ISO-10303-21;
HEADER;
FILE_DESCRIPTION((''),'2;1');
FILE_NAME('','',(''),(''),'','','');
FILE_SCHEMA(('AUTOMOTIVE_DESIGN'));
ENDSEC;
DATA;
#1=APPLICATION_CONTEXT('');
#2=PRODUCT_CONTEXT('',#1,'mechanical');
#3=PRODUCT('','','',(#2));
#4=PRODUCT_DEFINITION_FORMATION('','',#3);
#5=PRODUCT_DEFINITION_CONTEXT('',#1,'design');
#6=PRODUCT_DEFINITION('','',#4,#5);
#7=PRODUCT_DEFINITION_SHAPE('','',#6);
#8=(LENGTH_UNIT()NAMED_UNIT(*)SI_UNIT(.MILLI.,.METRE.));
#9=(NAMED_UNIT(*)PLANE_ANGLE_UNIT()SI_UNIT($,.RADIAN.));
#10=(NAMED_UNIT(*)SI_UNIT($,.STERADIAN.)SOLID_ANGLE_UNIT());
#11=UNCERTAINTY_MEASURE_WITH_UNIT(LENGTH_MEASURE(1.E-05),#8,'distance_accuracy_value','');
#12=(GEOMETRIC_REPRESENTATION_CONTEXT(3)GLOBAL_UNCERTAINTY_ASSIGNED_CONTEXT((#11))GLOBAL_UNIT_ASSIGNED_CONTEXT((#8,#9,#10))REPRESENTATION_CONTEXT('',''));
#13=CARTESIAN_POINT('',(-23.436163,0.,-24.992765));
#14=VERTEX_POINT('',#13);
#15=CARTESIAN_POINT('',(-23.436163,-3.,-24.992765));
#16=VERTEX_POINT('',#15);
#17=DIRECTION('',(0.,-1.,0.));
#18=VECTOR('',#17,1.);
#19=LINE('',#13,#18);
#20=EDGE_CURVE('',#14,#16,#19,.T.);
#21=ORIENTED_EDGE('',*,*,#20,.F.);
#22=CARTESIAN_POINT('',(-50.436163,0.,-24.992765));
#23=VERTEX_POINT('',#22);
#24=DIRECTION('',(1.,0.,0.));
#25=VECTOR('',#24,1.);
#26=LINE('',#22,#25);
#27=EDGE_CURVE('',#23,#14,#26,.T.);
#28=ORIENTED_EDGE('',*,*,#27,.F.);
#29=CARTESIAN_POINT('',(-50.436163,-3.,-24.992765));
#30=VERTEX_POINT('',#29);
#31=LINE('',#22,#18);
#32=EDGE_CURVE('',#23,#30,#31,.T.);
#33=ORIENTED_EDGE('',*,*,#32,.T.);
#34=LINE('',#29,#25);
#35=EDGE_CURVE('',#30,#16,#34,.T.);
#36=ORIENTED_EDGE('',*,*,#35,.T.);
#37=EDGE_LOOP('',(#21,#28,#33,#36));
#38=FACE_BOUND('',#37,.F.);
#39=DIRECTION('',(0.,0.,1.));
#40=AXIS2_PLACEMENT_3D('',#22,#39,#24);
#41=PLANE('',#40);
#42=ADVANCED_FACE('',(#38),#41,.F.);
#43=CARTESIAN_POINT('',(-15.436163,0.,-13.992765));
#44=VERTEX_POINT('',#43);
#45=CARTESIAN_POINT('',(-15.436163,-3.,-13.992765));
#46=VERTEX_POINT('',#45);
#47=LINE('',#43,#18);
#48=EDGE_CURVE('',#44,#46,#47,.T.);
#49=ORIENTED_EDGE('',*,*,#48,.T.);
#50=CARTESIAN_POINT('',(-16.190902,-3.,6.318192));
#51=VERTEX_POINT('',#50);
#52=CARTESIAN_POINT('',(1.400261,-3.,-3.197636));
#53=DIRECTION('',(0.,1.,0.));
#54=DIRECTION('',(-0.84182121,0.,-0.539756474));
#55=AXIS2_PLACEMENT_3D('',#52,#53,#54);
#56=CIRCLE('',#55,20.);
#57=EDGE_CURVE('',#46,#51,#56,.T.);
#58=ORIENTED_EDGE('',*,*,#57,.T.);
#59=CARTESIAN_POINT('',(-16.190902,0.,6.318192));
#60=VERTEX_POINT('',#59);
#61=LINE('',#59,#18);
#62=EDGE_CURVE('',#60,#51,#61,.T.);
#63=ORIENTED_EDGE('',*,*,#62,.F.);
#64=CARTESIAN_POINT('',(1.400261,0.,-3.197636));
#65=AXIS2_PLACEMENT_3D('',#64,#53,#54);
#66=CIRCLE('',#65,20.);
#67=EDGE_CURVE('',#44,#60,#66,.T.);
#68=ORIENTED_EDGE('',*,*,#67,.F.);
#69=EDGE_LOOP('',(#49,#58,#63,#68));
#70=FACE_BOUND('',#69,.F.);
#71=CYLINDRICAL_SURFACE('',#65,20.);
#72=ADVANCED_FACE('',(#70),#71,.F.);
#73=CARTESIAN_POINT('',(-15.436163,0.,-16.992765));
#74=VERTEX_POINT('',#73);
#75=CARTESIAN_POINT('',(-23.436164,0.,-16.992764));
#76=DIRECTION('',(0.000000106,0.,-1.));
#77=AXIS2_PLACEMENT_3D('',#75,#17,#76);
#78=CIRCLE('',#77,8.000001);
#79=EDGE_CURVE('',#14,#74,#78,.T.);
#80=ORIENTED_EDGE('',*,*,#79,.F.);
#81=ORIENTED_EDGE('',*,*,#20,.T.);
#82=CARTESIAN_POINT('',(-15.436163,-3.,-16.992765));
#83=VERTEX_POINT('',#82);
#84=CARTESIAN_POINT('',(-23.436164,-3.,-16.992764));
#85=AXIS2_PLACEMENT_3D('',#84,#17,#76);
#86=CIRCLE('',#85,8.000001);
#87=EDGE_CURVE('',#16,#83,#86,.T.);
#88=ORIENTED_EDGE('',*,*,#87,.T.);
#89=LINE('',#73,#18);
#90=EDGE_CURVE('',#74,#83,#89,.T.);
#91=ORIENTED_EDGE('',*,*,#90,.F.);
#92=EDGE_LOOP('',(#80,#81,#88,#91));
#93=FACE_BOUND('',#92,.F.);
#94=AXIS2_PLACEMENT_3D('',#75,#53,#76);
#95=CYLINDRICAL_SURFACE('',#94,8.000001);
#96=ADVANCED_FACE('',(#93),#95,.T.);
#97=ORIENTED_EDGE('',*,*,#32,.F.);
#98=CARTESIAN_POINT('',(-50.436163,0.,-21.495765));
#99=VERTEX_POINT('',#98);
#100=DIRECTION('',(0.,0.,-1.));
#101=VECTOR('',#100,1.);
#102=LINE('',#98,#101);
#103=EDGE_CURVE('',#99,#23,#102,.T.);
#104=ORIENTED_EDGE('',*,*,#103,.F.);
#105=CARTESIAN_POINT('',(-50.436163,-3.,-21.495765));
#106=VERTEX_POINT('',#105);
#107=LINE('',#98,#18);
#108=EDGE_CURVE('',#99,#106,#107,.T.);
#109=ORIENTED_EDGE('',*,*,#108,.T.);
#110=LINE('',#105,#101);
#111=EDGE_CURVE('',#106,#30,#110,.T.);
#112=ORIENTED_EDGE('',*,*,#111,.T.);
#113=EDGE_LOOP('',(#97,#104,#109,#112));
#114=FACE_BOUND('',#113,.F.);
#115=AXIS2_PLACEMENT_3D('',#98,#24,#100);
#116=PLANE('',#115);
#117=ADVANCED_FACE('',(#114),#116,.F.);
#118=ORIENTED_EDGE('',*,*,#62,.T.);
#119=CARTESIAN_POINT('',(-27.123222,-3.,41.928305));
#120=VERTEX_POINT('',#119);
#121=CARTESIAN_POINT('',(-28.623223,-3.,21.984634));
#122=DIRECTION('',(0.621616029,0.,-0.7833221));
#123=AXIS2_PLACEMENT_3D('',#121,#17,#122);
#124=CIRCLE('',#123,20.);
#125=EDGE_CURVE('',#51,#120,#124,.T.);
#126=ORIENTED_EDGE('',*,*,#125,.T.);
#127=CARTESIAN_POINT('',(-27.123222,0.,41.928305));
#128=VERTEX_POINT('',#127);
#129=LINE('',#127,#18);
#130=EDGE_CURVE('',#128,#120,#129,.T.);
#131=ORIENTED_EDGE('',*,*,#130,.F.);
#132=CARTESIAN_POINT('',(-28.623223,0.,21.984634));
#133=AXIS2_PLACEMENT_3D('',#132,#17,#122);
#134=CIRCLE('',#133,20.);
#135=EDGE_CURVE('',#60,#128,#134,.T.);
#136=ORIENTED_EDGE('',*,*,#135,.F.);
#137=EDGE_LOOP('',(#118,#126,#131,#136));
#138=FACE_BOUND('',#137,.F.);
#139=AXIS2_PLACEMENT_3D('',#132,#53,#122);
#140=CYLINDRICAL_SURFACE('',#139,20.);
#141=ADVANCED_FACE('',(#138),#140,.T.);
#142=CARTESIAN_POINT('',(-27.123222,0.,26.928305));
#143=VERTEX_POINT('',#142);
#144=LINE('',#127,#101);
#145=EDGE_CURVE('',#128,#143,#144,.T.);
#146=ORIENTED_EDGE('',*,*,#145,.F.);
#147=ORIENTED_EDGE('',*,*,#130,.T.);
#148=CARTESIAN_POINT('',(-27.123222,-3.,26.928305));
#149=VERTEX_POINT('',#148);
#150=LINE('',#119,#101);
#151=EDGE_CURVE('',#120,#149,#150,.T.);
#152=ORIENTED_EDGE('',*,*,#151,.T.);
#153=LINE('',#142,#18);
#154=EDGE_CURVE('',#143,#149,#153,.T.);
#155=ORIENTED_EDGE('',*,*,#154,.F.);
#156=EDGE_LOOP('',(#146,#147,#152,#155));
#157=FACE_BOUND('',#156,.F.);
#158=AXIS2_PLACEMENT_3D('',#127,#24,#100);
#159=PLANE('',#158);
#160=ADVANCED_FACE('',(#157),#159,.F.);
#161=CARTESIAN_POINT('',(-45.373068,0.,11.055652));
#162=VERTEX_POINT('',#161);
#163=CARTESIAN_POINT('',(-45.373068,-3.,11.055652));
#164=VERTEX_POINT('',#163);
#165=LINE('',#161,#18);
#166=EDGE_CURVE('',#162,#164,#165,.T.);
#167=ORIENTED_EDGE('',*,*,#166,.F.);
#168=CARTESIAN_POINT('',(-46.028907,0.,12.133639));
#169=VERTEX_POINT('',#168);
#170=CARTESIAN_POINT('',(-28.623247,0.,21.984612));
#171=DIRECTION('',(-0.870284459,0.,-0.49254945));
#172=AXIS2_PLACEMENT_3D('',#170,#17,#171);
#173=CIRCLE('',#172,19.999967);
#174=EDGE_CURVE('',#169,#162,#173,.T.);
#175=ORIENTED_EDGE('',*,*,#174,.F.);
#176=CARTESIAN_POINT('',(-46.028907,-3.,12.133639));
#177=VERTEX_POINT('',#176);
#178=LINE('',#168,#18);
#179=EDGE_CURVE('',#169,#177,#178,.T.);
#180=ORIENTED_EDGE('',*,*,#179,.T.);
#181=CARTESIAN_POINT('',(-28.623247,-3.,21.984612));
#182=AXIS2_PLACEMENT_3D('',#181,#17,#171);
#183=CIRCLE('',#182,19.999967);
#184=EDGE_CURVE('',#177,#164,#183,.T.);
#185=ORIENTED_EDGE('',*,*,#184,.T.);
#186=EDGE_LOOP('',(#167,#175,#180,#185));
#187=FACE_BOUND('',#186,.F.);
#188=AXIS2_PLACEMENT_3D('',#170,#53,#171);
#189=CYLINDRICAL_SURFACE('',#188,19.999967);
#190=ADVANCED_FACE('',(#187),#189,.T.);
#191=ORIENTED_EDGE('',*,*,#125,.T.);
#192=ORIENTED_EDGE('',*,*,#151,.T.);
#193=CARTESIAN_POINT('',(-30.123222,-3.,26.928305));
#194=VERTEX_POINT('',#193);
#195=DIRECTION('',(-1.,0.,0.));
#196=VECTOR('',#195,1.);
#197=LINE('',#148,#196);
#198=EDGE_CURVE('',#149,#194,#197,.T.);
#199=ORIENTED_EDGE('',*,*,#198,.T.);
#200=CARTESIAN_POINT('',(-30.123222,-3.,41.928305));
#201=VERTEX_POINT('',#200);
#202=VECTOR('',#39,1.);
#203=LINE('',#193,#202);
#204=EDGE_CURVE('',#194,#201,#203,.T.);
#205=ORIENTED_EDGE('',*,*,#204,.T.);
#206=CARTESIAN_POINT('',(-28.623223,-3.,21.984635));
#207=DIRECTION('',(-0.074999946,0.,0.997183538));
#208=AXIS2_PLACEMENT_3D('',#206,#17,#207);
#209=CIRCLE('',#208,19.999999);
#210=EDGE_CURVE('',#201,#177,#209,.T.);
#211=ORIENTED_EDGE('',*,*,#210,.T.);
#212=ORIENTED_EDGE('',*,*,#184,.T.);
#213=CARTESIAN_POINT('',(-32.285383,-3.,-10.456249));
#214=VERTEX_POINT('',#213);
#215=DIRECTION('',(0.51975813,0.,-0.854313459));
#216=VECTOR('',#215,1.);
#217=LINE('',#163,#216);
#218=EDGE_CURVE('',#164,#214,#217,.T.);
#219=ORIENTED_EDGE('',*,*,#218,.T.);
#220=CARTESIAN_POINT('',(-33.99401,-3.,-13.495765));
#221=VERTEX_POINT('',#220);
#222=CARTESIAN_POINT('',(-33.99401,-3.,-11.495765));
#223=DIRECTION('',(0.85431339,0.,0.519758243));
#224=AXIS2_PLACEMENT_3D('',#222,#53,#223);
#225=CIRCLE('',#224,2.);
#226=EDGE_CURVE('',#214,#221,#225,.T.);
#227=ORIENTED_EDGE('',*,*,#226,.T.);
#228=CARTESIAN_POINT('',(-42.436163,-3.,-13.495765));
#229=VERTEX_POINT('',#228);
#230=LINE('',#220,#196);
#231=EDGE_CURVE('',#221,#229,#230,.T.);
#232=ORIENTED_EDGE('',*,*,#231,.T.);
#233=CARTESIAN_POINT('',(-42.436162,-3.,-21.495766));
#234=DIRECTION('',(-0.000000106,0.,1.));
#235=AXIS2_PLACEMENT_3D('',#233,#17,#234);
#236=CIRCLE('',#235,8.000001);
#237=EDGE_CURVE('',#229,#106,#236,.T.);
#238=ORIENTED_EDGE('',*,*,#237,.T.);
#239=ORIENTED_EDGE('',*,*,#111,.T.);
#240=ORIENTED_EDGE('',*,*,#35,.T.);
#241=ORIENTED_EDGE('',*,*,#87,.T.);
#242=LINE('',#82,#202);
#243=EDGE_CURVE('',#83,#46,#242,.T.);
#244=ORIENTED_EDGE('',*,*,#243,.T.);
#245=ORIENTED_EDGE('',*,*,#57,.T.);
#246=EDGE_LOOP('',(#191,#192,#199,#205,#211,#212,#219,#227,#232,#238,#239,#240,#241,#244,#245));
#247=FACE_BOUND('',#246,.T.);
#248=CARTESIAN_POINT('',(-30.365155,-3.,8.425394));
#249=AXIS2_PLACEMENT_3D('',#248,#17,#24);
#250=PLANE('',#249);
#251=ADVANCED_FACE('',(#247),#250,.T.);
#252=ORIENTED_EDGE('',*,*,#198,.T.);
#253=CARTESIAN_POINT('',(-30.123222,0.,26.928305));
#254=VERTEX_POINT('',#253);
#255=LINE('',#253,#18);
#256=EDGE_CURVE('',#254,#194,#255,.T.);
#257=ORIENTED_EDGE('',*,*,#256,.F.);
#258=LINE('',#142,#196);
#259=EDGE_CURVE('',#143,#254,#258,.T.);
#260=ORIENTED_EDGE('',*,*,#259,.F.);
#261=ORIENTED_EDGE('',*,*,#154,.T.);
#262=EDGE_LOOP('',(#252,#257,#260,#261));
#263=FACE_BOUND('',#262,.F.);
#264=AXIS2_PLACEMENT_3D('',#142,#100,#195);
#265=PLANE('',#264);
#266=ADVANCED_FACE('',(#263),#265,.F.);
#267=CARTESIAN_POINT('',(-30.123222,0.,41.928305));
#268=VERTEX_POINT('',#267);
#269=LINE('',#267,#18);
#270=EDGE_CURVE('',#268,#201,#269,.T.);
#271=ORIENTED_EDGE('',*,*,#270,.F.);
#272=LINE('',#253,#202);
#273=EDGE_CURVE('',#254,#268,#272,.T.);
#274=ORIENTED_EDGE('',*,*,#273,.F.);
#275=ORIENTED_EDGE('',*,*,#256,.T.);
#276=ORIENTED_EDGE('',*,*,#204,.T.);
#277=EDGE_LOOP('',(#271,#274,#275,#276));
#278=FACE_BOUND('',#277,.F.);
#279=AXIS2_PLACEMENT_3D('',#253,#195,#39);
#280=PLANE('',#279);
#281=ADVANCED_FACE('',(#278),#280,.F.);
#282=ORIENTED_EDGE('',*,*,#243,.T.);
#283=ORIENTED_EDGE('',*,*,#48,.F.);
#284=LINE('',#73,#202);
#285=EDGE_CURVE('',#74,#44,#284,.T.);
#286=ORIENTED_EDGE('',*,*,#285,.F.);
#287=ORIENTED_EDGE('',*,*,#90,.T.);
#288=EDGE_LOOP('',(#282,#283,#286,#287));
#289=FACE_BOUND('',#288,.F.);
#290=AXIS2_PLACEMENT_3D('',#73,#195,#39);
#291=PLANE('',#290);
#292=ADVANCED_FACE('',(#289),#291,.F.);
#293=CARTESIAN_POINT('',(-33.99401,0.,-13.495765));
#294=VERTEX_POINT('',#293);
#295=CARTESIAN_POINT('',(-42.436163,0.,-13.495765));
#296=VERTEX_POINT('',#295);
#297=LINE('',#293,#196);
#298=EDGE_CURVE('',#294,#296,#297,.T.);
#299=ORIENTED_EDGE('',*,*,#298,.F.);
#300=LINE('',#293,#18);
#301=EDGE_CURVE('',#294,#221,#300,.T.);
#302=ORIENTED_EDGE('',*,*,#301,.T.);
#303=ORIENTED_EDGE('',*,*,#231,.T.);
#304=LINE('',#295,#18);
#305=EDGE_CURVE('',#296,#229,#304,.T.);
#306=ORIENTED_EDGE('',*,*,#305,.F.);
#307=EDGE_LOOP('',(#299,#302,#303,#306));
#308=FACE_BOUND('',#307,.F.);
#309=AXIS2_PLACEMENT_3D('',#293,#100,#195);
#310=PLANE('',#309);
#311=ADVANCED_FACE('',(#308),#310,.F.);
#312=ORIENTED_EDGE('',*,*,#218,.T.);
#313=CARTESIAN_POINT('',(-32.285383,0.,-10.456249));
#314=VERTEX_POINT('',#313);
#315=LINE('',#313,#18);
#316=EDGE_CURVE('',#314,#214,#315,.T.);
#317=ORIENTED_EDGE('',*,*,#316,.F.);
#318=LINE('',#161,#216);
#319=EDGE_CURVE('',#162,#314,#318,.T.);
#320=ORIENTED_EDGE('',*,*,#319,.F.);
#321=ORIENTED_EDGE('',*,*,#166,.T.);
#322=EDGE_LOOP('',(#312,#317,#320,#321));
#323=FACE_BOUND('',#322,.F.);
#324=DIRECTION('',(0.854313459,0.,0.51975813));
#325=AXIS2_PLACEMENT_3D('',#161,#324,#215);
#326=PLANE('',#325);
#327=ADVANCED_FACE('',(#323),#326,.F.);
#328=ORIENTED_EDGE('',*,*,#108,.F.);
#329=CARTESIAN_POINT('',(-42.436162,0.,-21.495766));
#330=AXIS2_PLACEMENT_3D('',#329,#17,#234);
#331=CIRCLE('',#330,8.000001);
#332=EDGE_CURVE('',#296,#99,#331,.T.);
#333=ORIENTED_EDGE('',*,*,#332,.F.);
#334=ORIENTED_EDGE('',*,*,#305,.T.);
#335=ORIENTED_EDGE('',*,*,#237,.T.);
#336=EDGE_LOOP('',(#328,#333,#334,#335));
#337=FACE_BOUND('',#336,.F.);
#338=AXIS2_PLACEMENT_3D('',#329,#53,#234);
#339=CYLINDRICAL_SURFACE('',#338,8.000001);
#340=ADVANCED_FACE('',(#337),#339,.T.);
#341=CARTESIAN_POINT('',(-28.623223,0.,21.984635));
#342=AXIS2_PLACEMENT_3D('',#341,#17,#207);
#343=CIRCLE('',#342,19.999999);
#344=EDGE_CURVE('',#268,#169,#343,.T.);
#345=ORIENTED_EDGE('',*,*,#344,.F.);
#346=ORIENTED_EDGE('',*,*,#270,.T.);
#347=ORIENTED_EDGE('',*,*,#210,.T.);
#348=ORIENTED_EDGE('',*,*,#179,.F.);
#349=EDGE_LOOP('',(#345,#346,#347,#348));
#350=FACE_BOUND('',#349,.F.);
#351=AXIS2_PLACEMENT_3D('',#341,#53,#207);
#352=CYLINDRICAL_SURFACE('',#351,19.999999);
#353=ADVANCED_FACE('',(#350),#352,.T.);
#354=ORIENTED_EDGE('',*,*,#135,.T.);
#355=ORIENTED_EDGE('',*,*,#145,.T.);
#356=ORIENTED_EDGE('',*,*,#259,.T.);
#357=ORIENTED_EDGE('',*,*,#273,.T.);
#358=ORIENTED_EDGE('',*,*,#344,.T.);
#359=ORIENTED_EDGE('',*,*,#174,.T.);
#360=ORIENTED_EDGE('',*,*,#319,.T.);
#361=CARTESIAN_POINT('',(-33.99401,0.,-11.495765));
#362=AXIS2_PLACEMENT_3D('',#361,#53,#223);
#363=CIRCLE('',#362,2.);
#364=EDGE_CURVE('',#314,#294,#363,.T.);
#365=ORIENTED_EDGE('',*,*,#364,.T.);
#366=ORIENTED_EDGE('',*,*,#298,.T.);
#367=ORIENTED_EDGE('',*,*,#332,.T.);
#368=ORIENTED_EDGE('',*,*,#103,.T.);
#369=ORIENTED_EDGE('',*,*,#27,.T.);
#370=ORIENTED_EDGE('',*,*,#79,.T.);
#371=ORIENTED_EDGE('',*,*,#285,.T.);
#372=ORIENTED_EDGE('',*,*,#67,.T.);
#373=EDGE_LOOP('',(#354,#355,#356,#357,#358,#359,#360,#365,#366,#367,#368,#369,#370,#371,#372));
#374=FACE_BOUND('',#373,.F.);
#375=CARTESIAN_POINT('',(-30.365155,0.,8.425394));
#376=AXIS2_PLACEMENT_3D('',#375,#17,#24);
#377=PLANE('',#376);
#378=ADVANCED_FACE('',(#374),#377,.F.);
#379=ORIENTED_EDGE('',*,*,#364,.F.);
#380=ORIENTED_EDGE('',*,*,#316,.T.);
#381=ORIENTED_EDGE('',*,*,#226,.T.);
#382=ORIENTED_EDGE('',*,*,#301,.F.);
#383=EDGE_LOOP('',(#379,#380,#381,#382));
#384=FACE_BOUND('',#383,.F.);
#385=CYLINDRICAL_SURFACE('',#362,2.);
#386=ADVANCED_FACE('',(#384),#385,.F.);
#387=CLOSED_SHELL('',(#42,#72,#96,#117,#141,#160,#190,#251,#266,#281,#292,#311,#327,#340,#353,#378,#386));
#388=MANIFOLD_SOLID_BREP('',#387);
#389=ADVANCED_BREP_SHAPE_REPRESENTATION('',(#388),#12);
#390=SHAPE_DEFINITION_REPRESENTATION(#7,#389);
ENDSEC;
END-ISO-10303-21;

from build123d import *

# Parameters (mm, degrees)
F1_DEPTH = 3


with BuildPart() as f1:
    # F0 (on Front) → F1 (new body)
    with BuildSketch(Plane.XZ):
        with BuildLine():
            Line((-30.123222, 26.928305), (-30.123222, 41.928305))
            ThreePointArc((-30.123222, 41.928305), (-46.266543, 31.403405), (-46.028907, 12.133639))
            Line((-46.028907, 12.133639), (-45.373068, 11.055652))
            Line((-45.373068, 11.055652), (-32.285383, -10.456249))
            ThreePointArc((-32.285383, -10.456249), (-32.250589, -12.475808), (-33.99401, -13.495765))
            Line((-33.99401, -13.495765), (-42.436163, -13.495765))
            ThreePointArc((-42.436163, -13.495765), (-48.093017, -15.838911), (-50.436163, -21.495765))
            Line((-50.436163, -21.495765), (-50.436163, -24.992765))
            Line((-50.436163, -24.992765), (-23.436163, -24.992765))
            ThreePointArc((-23.436163, -24.992765), (-17.779309, -22.649619), (-15.436163, -16.992765))
            Line((-15.436163, -16.992765), (-15.436163, -13.992765))
            ThreePointArc((-15.436163, -13.992765), (-18.585945, -3.940307), (-16.190902, 6.318192))
            ThreePointArc((-16.190902, 6.318192), (-9.503928, 27.854266), (-27.123222, 41.928305))
            Line((-27.123222, 41.928305), (-27.123222, 26.928305))
            Line((-27.123222, 26.928305), (-30.123222, 26.928305))
        make_face()
        with BuildLine():
            Line((-45.373068, 11.055652), (-46.028907, 12.133639))
            ThreePointArc((-46.028907, 12.133639), (-45.709491, 11.589472), (-45.373068, 11.055652))
        make_face()
    extrude(amount=F1_DEPTH)


solid = f1.part
